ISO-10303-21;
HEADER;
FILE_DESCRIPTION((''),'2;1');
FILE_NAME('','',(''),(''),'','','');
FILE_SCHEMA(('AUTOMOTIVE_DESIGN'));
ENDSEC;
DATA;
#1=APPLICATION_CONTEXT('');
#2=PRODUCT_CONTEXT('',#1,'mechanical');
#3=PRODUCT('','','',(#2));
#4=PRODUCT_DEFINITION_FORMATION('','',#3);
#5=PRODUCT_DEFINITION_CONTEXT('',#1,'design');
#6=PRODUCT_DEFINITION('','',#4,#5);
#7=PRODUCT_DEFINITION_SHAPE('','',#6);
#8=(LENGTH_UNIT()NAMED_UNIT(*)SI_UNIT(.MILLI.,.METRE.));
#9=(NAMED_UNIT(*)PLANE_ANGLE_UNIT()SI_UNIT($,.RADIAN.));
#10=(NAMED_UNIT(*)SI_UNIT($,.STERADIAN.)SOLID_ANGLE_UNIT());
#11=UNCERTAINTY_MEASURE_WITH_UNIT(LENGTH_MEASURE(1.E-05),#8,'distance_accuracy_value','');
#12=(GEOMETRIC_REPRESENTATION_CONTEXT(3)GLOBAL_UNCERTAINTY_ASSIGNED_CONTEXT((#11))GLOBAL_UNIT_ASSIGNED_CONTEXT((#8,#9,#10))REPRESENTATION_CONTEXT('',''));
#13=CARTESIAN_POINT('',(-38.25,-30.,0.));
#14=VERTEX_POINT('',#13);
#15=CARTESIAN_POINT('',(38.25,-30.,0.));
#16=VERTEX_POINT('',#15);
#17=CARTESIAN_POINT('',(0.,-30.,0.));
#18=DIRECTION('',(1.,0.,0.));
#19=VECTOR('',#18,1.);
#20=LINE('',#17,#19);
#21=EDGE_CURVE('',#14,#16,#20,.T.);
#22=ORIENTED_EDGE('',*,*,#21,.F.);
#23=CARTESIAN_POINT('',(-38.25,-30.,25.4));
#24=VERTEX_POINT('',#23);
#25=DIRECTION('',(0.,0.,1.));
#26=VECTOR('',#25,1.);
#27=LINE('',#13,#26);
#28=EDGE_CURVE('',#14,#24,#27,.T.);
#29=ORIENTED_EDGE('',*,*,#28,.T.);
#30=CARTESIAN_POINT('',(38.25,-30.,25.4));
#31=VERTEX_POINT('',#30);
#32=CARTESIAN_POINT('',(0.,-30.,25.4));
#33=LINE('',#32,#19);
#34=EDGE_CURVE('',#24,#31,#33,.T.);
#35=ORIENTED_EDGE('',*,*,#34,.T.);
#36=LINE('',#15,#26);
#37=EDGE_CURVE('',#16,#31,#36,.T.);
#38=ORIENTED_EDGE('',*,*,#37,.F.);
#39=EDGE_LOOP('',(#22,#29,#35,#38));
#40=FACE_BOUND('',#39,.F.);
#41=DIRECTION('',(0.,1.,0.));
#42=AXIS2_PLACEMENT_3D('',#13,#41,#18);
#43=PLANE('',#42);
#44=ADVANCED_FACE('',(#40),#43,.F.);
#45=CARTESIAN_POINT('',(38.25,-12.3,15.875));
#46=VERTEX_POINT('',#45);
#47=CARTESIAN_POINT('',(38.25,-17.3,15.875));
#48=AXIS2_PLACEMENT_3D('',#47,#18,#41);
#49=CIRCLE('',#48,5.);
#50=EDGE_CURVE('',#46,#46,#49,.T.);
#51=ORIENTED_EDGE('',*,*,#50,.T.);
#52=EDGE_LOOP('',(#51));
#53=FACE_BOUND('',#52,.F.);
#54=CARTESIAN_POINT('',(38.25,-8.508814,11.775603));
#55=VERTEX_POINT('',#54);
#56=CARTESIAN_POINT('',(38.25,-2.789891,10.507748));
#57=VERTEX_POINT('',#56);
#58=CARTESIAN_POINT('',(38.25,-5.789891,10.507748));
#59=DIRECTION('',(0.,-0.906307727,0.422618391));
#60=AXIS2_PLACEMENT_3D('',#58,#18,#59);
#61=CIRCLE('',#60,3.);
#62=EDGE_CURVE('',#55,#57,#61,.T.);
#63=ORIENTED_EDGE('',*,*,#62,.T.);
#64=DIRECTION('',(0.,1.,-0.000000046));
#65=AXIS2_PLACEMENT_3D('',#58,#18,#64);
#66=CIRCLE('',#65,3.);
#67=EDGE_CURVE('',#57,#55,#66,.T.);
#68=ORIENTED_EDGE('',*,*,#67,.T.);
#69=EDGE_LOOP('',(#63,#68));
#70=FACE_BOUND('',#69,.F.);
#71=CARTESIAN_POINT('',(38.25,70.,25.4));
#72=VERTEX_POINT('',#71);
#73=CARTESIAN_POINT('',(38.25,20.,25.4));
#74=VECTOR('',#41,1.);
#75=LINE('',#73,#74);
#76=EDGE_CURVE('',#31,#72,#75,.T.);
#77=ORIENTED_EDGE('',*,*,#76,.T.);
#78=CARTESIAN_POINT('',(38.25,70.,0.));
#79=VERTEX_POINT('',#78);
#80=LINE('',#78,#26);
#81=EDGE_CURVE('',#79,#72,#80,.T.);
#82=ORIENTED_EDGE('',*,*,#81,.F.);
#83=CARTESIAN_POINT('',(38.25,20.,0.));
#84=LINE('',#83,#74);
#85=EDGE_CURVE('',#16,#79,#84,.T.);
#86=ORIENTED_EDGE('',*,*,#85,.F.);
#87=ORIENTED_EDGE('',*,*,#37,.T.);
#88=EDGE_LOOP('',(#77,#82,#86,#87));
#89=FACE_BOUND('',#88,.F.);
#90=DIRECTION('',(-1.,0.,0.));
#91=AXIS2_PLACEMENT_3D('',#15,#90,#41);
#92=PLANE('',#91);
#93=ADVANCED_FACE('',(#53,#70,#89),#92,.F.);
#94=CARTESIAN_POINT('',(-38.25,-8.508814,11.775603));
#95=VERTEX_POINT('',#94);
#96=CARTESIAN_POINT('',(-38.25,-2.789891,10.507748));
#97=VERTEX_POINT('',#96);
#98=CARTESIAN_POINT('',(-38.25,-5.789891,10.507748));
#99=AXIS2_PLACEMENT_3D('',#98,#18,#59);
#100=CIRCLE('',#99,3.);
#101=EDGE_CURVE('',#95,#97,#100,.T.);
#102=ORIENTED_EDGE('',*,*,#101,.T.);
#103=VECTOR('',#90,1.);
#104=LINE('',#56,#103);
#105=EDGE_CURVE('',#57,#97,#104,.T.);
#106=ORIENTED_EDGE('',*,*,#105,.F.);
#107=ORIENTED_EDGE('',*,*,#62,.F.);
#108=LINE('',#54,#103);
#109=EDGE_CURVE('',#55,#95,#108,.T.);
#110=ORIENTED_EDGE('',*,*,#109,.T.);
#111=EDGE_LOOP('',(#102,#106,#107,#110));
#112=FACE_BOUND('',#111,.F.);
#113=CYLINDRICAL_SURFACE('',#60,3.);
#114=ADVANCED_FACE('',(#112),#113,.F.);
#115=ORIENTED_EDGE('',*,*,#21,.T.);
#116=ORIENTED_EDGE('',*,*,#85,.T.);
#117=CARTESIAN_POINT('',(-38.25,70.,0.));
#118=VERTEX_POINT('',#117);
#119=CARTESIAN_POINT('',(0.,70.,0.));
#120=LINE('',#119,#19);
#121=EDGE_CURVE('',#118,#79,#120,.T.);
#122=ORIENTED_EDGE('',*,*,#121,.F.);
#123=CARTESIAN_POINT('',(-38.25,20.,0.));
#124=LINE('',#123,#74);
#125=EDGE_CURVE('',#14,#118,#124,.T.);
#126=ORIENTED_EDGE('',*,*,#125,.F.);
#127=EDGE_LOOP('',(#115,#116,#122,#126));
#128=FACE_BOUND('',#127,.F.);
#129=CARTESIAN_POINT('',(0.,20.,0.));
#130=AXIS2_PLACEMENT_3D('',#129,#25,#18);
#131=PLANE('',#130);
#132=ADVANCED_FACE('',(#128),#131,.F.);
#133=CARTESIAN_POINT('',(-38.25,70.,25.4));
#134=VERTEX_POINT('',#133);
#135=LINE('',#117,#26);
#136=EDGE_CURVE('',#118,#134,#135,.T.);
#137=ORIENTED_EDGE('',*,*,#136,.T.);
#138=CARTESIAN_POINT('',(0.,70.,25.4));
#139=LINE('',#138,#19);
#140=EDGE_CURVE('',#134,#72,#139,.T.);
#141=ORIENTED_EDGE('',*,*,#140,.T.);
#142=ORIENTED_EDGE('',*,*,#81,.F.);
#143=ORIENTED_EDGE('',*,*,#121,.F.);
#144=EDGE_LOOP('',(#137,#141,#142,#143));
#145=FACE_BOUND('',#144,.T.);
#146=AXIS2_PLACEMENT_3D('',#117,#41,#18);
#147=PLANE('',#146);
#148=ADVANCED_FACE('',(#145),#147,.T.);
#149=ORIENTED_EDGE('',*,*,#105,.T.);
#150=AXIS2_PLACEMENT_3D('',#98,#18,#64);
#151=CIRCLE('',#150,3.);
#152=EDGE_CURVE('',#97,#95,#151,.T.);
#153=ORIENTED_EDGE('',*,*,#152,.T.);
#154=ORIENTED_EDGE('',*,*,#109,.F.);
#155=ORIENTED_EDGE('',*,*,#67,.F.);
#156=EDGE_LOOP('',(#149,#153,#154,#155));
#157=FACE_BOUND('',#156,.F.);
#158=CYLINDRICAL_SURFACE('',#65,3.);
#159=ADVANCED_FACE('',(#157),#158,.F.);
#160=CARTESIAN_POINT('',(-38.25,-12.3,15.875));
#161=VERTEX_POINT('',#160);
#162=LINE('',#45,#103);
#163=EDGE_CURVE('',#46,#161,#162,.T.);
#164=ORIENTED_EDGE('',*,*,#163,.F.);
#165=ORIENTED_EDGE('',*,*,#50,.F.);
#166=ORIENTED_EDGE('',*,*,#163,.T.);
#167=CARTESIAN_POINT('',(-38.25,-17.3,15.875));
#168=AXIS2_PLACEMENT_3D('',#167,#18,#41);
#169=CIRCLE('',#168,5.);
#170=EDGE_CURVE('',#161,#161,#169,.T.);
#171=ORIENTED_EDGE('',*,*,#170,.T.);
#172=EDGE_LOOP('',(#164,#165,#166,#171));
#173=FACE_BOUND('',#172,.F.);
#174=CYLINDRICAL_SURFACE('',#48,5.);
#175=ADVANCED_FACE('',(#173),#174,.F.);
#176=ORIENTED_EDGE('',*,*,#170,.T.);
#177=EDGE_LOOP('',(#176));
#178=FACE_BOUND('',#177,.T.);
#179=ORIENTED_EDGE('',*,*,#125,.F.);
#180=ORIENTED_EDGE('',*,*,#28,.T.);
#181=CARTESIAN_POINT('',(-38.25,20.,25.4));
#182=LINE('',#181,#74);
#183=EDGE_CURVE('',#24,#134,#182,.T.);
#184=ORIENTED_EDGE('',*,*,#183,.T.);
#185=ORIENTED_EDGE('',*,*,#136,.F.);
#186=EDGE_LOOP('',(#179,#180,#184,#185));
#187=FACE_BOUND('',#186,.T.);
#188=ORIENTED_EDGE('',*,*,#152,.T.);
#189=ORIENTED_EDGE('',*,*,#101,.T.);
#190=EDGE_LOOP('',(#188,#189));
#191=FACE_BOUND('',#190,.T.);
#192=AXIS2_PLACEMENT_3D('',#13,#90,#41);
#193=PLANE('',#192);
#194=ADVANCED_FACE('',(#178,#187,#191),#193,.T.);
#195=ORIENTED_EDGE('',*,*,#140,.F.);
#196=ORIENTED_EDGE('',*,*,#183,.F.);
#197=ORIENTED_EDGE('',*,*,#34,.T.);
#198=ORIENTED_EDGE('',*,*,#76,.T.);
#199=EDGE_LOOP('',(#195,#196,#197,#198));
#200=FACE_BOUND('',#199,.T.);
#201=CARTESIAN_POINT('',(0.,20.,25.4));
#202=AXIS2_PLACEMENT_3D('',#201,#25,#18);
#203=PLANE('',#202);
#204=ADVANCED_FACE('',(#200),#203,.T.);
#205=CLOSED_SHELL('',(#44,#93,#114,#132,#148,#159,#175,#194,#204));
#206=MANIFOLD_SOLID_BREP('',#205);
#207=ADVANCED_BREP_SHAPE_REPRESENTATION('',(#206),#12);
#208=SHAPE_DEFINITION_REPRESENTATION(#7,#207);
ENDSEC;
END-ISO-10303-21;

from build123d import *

# Parameters (mm, degrees)
F0_W     = 76.5
F0_H     = 100
F1_DEPTH = 25.4
F2_R     = 5
F3_DEPTH = 76.501
F5_DEPTH = 76.501


with BuildPart() as f1:
    # F0 (on Top) → F1 (new body)
    with BuildSketch(Plane.XY):
        with Locations((0, 20)):
            Rectangle(F0_W, F0_H)
    extrude(amount=F1_DEPTH)

    # F2 (on face) → F3 (cut, through all)
    with BuildSketch(Plane.YZ.offset(38.25)):
        with Locations((-17.3, 15.875)):
            Circle(F2_R)
    extrude(amount=-F3_DEPTH, mode=Mode.SUBTRACT)

    # F4 (on face) → F5 (cut, through all)
    with BuildSketch(Plane.YZ.offset(38.25)):
        with BuildLine():
            ThreePointArc((-8.508814, 11.775603), (-6.43921, 7.57886), (-2.789891, 10.507748))
            ThreePointArc((-2.789891, 10.507748), (-5.140572, 13.436636), (-8.508814, 11.775603))
        make_face()
    extrude(amount=-F5_DEPTH, mode=Mode.SUBTRACT)


solid = f1.part
